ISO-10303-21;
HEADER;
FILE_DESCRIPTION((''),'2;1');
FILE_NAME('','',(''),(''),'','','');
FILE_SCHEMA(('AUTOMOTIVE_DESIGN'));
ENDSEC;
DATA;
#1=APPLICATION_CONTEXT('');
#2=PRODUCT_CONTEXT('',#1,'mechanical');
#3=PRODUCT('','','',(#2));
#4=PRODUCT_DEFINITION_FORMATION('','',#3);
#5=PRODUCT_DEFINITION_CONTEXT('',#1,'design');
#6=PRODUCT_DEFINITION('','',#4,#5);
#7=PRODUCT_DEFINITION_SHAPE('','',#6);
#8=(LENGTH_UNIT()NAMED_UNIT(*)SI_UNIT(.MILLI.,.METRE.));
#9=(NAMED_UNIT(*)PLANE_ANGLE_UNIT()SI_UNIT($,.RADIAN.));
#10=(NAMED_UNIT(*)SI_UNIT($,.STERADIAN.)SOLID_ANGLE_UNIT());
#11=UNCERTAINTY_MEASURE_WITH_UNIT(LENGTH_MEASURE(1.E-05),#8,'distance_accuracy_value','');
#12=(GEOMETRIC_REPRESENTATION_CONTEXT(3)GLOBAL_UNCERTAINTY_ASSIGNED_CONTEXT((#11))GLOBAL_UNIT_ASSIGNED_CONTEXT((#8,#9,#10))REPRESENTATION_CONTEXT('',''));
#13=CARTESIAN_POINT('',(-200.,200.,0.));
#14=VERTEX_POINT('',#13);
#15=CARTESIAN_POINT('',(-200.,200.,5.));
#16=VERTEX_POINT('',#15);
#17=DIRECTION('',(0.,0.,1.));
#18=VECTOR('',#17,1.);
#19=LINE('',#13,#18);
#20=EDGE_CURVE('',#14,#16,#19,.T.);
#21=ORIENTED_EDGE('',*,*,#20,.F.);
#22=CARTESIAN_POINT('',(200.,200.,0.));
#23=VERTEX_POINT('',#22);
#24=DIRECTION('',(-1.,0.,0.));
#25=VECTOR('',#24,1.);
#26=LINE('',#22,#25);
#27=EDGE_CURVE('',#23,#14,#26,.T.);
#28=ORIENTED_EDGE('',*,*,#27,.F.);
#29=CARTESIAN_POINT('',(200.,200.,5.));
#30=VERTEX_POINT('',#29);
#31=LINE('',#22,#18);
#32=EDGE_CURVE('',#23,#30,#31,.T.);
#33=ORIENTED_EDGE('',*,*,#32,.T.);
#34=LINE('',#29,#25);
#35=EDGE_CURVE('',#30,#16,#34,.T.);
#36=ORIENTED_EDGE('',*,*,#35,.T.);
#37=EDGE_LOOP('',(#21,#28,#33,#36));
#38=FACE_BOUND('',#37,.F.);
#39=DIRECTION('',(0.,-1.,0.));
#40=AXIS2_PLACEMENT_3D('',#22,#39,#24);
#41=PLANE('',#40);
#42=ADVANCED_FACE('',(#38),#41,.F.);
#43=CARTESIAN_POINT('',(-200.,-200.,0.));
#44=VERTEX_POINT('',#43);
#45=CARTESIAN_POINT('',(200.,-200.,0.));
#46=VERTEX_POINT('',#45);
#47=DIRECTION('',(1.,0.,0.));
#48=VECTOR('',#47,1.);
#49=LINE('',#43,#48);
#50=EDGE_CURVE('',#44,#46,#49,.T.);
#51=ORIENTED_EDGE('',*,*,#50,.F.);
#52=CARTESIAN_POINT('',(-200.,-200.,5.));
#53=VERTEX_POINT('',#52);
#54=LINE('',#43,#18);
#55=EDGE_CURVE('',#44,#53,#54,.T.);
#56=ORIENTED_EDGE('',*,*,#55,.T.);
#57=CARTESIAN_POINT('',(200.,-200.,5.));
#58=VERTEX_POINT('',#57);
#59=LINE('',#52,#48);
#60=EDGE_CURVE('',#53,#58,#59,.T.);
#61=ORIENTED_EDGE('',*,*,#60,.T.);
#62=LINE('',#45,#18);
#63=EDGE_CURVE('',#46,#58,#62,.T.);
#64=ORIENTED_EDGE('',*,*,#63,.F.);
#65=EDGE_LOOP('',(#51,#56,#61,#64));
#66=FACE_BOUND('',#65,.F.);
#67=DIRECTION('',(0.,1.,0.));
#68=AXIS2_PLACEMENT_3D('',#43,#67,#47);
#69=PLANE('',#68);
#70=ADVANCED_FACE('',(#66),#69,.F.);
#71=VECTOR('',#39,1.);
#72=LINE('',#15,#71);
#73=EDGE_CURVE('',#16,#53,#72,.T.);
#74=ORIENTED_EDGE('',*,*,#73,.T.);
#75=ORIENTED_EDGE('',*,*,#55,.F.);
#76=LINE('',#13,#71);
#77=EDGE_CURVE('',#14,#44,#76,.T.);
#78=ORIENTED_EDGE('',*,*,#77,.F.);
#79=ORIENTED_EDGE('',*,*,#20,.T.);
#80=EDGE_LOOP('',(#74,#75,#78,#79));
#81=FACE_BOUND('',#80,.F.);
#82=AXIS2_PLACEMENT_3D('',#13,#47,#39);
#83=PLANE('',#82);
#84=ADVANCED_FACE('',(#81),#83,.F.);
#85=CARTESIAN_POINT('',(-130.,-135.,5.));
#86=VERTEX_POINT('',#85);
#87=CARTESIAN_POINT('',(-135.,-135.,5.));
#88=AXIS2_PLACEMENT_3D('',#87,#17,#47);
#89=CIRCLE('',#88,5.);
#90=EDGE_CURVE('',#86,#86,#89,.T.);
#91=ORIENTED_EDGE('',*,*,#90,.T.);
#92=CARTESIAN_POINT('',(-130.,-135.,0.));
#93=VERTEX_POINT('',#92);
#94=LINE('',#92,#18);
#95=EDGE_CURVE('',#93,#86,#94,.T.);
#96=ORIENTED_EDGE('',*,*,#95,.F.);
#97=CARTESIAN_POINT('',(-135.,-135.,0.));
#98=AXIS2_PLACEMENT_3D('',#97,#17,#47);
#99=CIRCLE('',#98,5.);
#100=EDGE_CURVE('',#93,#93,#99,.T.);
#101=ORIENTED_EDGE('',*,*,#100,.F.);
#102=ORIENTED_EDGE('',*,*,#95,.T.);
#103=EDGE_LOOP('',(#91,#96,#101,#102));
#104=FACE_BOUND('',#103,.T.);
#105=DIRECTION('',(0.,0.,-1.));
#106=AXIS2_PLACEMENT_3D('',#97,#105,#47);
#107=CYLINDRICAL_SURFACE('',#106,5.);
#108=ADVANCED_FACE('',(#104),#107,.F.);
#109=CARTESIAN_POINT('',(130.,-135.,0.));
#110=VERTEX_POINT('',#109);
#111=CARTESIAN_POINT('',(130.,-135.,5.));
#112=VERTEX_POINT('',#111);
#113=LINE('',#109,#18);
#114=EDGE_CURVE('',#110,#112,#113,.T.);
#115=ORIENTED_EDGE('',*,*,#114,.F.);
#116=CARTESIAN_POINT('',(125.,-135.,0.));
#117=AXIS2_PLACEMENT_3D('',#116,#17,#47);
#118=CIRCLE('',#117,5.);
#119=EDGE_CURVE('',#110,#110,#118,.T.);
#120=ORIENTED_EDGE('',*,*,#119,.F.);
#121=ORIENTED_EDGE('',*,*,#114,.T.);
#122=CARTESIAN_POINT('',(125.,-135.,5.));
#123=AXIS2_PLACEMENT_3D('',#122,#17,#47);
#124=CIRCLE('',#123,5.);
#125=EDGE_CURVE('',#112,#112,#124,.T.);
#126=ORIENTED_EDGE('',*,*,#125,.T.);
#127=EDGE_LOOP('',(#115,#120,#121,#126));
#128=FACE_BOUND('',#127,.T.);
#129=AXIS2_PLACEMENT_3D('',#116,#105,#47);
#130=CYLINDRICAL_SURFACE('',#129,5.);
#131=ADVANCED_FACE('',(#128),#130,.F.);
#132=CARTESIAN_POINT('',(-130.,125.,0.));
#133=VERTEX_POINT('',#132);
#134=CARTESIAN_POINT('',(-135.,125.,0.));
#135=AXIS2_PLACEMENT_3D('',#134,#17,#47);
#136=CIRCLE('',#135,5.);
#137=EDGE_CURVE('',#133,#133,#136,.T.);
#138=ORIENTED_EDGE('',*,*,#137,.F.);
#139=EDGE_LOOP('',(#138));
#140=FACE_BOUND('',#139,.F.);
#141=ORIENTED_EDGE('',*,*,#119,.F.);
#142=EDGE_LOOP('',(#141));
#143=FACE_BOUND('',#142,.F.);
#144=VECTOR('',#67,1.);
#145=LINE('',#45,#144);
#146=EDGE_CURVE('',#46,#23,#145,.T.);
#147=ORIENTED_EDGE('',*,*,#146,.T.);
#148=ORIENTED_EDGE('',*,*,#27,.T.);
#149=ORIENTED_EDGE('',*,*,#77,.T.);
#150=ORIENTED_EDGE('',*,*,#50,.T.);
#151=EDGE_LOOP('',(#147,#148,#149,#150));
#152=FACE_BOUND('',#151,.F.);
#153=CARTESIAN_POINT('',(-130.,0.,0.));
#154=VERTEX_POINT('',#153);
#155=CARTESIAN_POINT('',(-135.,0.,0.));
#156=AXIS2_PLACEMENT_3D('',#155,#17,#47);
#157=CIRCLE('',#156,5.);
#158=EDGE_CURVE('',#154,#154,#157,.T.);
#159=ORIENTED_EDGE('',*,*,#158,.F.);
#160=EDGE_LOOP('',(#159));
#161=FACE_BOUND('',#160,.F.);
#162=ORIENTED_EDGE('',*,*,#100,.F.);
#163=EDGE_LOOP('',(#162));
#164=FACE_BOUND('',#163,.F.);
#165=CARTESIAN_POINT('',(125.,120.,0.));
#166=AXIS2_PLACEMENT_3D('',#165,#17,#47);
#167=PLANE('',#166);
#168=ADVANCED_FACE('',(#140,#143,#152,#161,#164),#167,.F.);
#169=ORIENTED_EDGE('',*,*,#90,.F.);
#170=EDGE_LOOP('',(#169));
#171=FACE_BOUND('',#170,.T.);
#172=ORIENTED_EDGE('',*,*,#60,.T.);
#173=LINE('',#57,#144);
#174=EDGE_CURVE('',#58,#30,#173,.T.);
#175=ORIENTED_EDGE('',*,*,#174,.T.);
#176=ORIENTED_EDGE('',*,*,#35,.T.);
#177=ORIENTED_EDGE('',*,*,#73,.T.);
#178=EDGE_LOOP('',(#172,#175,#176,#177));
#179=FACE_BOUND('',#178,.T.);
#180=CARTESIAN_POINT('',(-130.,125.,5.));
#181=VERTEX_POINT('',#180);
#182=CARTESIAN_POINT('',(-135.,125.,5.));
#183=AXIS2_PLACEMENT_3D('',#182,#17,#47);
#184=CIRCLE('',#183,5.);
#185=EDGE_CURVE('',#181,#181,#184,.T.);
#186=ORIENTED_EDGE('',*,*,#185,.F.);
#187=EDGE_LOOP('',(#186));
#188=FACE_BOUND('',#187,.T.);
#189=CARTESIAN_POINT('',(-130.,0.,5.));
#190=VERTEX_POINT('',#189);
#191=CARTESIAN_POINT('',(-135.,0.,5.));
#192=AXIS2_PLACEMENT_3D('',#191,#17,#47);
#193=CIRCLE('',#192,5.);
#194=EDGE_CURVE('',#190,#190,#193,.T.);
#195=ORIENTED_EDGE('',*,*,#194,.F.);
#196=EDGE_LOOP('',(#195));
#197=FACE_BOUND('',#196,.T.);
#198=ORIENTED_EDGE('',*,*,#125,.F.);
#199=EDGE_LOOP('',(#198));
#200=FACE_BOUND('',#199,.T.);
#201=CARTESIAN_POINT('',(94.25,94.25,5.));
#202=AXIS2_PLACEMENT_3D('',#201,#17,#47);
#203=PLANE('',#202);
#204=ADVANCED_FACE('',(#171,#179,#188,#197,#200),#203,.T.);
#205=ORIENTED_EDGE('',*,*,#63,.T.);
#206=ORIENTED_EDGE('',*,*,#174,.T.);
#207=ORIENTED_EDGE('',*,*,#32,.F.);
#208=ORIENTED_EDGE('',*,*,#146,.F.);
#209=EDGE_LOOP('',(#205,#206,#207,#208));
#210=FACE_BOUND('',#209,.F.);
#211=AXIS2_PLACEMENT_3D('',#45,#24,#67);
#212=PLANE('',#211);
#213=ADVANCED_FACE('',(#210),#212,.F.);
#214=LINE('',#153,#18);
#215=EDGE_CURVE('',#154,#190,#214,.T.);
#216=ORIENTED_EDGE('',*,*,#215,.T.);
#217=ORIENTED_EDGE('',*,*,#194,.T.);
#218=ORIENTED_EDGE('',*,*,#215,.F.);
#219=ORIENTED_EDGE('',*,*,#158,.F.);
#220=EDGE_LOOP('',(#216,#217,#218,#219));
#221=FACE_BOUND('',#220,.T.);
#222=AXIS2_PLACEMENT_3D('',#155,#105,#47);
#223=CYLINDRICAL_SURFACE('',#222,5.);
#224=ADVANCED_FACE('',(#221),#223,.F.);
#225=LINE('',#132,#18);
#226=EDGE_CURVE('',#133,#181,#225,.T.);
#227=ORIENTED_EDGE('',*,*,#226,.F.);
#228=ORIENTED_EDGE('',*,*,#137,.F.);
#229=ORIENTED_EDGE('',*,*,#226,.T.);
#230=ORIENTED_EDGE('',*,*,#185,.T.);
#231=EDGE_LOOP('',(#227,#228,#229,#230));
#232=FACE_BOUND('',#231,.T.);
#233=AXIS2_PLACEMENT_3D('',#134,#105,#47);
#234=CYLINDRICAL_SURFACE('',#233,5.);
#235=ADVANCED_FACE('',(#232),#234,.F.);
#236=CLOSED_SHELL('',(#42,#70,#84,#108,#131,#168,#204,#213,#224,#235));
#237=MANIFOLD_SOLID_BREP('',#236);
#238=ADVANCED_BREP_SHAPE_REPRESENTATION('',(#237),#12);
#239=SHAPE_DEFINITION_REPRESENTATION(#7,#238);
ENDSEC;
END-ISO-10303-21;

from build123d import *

# Parameters (mm, degrees)
F0_R     = 5
F0_W     = 260
F0_H     = 130
F1_DEPTH = 5
F0_W_2   = 130
F0_H_2   = 120
F2_DEPTH = 5


with BuildPart() as f1:
    # F0 (on Top) → F1 (new body)
    with BuildSketch(Plane.XY):
        Polygon((200, 200), (-200, 200), (-200, 190), (60, 190), (60, 180), (190, 180), (190, 60), (190, -200), (200, -200), align=None)
        Polygon((60, 190), (-200, 190), (-200, 60), (60, 60), (60, 180), align=None)
        with Locations((-135, 125)):
            Circle(F0_R, mode=Mode.SUBTRACT)
        with Locations((-70, -5)):
            Rectangle(F0_W, F0_H)
        with Locations((-135, 0)):
            Circle(F0_R, mode=Mode.SUBTRACT)
        Polygon((60, -200), (190, -200), (190, 60), (60, 60), (60, -70), align=None)
        with Locations((125, -135)):
            Circle(F0_R, mode=Mode.SUBTRACT)
        with Locations((-70, -135)):
            Rectangle(F0_W, F0_H)
        with Locations((-135, -135)):
            Circle(F0_R, mode=Mode.SUBTRACT)
    extrude(amount=F1_DEPTH)

    # F0 (on Top) → F2 (join)
    with BuildSketch(Plane.XY):
        with Locations((125, 120)):
            Rectangle(F0_W_2, F0_H_2)
    extrude(amount=F2_DEPTH)


solid = f1.part
